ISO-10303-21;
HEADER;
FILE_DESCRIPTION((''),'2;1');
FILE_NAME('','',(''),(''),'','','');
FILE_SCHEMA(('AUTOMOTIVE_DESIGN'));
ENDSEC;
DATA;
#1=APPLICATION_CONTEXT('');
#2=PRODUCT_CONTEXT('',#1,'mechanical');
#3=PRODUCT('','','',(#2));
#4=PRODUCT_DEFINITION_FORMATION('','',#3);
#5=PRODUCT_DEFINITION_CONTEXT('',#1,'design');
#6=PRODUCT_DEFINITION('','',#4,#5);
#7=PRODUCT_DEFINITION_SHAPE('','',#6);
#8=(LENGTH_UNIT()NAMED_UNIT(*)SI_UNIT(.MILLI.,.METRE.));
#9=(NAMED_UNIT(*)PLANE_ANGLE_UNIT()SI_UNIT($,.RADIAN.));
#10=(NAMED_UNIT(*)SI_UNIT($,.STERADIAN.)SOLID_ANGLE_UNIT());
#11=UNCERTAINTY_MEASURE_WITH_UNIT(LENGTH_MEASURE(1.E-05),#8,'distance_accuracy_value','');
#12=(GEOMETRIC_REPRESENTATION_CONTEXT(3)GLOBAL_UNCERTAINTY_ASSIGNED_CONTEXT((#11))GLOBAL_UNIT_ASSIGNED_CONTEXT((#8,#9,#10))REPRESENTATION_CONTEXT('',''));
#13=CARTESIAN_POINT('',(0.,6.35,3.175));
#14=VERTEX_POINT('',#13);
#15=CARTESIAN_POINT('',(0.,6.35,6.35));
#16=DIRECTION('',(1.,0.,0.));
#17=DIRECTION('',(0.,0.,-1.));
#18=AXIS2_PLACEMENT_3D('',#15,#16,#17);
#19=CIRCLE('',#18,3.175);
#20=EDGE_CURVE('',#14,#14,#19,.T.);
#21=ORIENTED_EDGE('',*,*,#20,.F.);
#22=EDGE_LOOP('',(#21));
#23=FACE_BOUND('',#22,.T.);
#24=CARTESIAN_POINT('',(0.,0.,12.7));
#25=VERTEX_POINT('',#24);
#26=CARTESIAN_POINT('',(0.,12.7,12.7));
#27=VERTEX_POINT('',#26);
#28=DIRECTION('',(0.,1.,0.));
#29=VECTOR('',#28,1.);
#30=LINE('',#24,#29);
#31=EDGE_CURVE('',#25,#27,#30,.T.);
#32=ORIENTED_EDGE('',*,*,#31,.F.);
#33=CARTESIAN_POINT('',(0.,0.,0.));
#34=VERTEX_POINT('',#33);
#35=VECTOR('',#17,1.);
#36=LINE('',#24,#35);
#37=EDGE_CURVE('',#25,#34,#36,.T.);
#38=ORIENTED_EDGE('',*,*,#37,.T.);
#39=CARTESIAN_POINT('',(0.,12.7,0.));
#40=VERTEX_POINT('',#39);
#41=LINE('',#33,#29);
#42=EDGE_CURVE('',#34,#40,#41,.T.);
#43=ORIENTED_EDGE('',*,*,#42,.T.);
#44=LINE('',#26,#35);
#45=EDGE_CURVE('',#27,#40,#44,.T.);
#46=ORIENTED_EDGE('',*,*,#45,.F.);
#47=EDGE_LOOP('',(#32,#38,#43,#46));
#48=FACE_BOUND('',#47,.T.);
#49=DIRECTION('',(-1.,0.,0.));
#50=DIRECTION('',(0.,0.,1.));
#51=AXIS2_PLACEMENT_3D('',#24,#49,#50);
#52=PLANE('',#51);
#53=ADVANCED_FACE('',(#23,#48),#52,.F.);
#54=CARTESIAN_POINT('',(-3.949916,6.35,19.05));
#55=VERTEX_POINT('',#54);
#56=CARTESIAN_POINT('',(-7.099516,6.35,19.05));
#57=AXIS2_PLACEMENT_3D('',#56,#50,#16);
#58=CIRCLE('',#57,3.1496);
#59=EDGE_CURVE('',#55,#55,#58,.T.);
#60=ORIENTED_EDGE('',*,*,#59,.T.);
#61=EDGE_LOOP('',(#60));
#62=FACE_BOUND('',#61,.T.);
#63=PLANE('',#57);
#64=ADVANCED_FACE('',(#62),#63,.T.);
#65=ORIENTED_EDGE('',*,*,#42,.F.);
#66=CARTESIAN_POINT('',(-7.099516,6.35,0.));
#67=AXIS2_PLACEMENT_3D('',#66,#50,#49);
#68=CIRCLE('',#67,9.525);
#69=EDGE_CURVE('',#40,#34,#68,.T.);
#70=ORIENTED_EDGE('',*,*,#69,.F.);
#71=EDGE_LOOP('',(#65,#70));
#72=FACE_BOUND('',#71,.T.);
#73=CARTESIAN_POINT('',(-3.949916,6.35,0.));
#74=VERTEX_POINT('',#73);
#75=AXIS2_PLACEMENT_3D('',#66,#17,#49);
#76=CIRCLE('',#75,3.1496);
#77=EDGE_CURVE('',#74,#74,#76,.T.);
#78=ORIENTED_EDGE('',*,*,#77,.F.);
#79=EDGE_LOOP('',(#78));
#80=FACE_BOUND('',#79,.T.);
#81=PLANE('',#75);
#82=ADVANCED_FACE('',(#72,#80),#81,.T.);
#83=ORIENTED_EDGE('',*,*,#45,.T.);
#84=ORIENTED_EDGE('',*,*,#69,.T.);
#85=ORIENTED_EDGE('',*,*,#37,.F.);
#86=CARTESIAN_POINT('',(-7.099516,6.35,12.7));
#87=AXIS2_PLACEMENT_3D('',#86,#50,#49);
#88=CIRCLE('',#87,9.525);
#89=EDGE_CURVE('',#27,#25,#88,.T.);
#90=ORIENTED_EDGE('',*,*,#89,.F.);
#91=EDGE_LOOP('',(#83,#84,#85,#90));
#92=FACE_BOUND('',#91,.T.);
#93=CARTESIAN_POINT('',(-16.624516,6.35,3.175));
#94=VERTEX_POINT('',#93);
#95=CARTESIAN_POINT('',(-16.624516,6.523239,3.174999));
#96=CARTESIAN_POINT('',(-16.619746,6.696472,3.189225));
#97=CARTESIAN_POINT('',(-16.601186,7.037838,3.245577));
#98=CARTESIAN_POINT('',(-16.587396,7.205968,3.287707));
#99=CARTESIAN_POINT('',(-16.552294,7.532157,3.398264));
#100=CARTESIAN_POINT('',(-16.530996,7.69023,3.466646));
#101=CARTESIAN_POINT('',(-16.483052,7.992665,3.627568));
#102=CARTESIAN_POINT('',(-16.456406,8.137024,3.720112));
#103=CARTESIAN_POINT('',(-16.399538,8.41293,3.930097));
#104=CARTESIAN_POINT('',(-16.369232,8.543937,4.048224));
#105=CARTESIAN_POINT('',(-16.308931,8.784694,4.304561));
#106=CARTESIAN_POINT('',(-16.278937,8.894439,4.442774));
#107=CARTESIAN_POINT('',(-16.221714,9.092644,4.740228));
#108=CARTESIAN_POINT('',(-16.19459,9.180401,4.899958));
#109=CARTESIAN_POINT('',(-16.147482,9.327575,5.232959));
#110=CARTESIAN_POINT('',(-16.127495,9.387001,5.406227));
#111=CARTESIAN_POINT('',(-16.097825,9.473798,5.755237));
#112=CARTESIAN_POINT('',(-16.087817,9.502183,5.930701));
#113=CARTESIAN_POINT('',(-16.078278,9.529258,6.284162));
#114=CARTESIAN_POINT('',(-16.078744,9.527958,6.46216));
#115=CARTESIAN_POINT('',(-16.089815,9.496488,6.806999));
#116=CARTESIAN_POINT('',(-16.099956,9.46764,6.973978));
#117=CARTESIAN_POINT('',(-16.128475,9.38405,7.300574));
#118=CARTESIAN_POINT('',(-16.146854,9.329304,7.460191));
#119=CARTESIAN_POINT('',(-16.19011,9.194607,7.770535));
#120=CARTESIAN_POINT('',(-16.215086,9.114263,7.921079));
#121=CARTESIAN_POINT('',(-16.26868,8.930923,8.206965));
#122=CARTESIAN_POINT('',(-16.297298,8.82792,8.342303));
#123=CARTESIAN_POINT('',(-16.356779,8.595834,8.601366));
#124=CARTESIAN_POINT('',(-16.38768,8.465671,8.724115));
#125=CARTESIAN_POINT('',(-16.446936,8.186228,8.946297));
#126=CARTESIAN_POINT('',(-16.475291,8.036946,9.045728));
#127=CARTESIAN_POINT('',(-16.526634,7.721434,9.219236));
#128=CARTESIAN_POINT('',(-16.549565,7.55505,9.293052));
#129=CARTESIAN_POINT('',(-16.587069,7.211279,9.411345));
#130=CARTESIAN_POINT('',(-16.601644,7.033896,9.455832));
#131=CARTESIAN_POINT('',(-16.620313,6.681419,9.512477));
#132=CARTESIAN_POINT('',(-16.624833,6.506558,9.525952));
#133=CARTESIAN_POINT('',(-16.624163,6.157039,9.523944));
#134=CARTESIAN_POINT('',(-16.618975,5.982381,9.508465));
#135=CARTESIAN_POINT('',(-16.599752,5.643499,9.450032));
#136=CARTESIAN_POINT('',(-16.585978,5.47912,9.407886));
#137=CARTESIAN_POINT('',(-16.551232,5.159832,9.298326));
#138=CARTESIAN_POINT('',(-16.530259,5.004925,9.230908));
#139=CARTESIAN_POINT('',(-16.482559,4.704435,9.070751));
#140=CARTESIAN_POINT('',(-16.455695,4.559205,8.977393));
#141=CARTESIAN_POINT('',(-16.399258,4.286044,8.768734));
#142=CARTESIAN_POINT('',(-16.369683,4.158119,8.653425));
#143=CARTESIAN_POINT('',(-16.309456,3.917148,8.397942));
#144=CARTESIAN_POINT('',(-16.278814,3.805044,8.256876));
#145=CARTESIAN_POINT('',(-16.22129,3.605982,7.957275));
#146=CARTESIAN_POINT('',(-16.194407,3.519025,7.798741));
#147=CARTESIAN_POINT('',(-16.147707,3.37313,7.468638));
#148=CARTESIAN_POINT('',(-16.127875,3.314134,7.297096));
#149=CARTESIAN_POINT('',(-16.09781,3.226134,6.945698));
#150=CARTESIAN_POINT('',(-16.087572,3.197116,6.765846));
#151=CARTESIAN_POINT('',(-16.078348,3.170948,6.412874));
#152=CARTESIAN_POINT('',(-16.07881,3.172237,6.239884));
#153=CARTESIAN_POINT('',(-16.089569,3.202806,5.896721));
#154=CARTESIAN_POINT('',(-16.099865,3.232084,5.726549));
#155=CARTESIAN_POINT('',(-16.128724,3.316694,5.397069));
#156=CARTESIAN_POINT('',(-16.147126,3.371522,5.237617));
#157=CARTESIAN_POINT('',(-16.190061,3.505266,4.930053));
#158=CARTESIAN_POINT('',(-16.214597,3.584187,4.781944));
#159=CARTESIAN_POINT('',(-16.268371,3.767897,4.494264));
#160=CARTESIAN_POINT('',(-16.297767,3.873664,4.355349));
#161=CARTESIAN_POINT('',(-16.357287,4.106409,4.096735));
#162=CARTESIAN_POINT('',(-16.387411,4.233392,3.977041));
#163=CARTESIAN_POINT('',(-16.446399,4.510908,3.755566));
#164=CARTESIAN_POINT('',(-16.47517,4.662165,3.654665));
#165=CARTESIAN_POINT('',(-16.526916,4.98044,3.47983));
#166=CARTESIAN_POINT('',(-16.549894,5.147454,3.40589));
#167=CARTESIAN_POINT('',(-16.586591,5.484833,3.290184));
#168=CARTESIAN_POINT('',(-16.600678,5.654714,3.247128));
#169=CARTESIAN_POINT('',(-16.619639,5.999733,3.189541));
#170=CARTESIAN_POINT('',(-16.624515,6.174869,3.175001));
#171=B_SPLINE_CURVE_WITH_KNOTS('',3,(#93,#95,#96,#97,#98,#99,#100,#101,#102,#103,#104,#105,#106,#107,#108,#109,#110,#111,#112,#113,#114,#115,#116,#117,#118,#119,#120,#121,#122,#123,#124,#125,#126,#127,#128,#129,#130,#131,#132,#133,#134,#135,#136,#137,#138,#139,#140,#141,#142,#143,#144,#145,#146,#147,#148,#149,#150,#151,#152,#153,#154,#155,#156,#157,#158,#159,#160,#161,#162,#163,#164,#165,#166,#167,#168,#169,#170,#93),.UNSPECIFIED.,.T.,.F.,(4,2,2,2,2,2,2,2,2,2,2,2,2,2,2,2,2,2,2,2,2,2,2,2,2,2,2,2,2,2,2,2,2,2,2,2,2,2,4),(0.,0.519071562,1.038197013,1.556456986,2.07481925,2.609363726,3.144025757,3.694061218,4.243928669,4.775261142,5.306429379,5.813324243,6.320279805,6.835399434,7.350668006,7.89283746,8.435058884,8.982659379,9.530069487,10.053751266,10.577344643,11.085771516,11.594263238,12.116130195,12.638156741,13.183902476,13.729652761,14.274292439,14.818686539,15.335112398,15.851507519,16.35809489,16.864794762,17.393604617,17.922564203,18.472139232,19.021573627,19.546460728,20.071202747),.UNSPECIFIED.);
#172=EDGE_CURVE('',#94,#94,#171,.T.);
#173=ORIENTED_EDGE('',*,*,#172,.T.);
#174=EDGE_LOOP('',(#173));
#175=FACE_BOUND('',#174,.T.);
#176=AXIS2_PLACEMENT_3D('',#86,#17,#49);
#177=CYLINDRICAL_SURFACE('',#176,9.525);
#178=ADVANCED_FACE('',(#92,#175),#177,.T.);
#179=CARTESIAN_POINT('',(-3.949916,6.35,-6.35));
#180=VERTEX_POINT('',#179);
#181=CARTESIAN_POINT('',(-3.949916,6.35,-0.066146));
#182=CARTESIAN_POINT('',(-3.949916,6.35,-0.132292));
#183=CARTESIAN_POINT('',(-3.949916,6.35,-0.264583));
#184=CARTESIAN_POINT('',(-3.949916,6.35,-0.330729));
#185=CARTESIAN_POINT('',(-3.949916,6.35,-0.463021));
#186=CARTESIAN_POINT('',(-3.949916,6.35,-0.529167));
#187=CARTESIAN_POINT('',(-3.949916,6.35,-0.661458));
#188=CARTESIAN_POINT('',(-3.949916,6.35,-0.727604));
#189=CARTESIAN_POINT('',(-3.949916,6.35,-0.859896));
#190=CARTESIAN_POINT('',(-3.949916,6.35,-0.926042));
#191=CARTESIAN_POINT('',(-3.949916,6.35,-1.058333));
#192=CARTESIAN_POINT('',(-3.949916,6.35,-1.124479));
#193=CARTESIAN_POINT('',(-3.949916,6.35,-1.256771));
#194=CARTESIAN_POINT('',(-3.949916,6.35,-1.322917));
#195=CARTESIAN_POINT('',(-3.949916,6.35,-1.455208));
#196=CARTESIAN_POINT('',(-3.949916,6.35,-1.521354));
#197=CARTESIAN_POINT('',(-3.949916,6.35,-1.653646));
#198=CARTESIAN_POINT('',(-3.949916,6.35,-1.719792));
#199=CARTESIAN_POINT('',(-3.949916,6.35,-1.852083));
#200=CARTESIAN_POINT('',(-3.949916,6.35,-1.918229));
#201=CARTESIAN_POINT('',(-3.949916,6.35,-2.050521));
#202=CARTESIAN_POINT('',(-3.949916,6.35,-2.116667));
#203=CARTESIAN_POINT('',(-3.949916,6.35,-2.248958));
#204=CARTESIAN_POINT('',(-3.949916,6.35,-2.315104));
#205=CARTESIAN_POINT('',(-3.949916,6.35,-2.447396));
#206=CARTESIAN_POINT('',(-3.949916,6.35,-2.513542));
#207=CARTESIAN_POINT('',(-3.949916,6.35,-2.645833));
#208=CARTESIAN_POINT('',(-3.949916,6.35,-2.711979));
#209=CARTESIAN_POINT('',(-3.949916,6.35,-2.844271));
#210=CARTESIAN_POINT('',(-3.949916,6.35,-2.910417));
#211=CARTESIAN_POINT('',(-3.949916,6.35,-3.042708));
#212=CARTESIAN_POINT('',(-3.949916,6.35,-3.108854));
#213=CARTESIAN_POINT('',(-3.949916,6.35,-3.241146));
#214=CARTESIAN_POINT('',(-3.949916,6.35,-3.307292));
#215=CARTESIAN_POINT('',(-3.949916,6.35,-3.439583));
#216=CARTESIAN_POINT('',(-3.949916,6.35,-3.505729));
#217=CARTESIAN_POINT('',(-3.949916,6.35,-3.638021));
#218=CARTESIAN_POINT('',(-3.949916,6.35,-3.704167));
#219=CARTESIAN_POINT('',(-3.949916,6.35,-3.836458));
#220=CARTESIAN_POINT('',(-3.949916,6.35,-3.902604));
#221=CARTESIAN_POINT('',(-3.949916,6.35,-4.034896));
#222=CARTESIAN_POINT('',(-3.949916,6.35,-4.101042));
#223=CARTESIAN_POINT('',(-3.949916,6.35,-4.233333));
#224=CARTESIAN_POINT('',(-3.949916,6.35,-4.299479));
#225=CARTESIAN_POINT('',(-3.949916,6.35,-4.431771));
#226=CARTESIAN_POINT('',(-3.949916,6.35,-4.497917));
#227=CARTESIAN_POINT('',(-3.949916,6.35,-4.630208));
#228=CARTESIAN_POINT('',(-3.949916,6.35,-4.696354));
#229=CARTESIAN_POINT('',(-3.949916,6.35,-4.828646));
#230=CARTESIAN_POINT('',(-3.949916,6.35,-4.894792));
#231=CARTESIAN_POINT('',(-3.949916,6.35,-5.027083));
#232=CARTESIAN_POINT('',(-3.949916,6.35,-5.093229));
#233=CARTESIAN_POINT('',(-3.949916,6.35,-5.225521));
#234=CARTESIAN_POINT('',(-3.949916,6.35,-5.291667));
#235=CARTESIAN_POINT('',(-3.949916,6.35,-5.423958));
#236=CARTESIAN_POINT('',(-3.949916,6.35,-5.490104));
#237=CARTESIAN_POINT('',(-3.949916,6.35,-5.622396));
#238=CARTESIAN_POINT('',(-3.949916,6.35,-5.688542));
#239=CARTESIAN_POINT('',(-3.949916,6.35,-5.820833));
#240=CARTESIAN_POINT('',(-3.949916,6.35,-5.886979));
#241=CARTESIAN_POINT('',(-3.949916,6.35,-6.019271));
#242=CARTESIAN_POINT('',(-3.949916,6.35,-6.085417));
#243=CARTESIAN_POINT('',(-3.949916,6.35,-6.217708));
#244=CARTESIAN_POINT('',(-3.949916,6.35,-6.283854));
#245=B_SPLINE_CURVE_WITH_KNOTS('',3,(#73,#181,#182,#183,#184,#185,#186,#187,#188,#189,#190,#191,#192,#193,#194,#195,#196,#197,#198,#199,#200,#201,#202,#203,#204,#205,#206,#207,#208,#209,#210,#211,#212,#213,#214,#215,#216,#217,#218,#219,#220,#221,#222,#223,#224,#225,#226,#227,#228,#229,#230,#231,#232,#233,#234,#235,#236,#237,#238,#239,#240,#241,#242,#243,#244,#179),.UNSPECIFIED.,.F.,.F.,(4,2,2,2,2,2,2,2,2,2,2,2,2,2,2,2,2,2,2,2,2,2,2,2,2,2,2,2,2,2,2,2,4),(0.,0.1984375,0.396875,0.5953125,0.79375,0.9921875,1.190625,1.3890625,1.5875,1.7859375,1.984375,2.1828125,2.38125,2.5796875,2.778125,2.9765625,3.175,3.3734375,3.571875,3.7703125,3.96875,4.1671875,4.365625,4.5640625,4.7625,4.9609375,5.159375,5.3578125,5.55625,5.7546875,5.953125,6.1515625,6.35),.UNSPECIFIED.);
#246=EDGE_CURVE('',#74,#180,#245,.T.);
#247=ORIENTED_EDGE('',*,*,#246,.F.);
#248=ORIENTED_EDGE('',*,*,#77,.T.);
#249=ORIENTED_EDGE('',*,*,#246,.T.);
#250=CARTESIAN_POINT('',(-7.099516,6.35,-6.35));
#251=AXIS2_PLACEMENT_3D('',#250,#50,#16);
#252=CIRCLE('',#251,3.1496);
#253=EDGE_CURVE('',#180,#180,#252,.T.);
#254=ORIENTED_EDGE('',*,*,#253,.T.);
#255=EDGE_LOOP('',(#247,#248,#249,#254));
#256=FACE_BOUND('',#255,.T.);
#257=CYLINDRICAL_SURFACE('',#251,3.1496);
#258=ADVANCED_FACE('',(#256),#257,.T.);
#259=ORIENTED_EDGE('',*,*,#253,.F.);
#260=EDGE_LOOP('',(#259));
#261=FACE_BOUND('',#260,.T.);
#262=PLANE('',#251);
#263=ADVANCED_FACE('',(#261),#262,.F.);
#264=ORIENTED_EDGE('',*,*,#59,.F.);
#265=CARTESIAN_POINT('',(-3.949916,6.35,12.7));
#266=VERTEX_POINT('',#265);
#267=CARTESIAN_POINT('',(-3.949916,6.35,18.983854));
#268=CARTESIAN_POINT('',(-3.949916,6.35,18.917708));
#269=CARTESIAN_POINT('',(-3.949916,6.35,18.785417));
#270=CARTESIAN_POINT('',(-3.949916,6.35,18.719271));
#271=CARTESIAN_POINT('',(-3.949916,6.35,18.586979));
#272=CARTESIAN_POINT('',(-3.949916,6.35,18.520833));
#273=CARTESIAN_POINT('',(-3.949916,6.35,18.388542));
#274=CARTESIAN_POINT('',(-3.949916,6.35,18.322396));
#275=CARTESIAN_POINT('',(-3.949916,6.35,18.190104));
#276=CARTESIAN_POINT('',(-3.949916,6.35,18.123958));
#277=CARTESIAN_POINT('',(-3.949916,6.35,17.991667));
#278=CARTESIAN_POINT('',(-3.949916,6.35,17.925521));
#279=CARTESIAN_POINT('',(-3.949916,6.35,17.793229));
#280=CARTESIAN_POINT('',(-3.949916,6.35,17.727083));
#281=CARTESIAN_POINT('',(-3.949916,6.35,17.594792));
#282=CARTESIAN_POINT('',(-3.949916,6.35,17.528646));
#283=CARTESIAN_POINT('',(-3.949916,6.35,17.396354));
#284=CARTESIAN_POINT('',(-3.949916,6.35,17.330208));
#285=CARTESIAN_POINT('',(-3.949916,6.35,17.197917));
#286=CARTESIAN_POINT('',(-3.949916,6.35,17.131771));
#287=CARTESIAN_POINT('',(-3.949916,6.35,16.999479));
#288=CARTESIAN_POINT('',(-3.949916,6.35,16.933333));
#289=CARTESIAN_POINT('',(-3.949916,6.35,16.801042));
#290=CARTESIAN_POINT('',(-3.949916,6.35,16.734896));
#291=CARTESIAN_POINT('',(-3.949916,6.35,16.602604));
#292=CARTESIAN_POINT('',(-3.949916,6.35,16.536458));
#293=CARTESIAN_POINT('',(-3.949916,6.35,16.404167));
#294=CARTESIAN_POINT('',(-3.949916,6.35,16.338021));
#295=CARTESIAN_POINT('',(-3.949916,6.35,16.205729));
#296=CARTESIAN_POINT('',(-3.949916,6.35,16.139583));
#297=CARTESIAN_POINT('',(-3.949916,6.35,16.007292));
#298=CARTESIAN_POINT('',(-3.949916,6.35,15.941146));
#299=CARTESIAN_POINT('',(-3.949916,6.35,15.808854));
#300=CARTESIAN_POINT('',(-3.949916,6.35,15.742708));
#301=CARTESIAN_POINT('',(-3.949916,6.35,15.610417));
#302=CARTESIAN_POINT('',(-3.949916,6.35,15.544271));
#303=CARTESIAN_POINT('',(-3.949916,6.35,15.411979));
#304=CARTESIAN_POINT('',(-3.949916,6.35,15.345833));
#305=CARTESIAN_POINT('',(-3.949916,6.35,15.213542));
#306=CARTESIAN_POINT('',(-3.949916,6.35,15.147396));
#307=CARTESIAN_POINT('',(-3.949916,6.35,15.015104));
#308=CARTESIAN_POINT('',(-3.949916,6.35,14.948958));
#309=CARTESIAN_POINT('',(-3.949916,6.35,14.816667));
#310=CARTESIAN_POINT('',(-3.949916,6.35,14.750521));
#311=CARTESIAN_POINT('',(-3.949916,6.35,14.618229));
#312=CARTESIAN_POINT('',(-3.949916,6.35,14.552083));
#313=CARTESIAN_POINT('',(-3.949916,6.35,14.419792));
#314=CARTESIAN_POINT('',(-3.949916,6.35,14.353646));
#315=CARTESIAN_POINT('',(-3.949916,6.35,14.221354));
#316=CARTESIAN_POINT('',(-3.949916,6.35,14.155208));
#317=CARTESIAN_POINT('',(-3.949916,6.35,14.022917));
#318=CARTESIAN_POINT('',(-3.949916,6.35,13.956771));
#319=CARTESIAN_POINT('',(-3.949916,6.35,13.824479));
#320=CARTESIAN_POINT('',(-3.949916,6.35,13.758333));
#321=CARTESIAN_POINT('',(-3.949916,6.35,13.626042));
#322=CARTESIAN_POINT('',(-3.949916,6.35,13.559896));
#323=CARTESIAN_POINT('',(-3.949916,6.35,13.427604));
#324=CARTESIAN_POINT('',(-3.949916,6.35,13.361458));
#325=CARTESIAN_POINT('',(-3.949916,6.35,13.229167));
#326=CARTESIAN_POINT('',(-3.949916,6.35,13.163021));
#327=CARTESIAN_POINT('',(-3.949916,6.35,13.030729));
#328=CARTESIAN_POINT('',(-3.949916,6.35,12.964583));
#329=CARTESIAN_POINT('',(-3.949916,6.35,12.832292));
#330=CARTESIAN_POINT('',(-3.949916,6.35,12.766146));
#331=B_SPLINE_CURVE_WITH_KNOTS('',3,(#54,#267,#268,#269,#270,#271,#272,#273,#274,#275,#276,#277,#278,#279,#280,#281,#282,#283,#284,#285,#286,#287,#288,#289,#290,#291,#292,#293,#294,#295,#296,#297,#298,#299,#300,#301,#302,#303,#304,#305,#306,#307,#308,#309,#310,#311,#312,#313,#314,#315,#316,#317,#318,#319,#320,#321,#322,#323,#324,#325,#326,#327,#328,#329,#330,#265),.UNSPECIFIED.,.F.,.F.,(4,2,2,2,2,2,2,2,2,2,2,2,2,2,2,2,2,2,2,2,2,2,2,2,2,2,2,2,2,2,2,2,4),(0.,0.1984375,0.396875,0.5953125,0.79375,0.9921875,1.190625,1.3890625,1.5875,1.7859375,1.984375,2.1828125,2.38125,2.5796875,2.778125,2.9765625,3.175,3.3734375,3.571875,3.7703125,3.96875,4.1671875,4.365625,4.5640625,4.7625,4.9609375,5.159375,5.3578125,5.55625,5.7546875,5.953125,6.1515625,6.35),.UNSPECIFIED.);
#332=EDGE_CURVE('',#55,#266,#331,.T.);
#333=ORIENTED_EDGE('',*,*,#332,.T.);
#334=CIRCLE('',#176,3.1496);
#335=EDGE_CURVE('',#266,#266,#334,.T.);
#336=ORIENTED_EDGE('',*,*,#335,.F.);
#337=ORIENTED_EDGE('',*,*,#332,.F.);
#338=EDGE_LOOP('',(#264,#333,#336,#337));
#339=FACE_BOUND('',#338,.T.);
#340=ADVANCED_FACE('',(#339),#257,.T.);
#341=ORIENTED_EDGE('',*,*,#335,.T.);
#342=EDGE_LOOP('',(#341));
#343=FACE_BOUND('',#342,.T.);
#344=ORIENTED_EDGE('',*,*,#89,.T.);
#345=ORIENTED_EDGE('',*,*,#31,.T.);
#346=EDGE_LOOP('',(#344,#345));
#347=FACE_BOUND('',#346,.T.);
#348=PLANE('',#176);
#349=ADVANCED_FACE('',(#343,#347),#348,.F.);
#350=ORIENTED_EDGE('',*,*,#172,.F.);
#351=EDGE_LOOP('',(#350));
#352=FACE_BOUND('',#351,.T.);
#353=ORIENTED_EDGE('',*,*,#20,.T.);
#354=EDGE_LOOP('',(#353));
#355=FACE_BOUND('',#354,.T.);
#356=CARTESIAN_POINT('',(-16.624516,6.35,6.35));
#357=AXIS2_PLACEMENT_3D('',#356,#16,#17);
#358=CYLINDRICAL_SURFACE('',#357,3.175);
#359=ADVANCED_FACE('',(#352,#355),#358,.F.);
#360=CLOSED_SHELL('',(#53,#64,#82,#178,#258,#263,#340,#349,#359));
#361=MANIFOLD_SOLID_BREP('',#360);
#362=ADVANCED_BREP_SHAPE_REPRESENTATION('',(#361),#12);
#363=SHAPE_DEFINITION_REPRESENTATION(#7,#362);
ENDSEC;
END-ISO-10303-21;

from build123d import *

# Parameters (mm, degrees)
BOSS_EXTRUDE1_DEPTH      = 12.7
BOSS_EXTRUDE2_DEPTH      = 6.35
BOSS_EXTRUDE2_DEPTH_BACK = 19.05
SKETCH3_R                = 3.1496
SKETCH4_R                = 3.175
CUT_EXTRUDE1_DEPTH       = 30.854524808


with BuildPart() as part:
    # Sketch1 → Boss-Extrude1 (new body)
    with BuildSketch(Plane.XY):
        with BuildLine():
            Line((0, 0), (0, 12.7))
            ThreePointArc((0, 12.7), (-16.624515829, 6.35), (0, 0))
        make_face()
    extrude(amount=BOSS_EXTRUDE1_DEPTH)

    # Sketch3 → Boss-Extrude2 (add, two sides: drawn at the far end of the back side and taken through both)
    with BuildSketch(Plane.XY.offset(12.7).offset(-BOSS_EXTRUDE2_DEPTH_BACK)):
        with Locations((-7.099515829, 6.35)):
            Circle(SKETCH3_R)
    extrude(amount=BOSS_EXTRUDE2_DEPTH + BOSS_EXTRUDE2_DEPTH_BACK)

    # Sketch4 → Cut-Extrude1 (cut, through all)
    with BuildSketch(Plane(origin=(0, 0, 0), x_dir=(0, 0, -1), z_dir=(1, 0, 0))):
        with Locations((-6.35, 6.35)):
            Circle(SKETCH4_R)
    extrude(amount=-CUT_EXTRUDE1_DEPTH, mode=Mode.SUBTRACT)


solid = part.part
